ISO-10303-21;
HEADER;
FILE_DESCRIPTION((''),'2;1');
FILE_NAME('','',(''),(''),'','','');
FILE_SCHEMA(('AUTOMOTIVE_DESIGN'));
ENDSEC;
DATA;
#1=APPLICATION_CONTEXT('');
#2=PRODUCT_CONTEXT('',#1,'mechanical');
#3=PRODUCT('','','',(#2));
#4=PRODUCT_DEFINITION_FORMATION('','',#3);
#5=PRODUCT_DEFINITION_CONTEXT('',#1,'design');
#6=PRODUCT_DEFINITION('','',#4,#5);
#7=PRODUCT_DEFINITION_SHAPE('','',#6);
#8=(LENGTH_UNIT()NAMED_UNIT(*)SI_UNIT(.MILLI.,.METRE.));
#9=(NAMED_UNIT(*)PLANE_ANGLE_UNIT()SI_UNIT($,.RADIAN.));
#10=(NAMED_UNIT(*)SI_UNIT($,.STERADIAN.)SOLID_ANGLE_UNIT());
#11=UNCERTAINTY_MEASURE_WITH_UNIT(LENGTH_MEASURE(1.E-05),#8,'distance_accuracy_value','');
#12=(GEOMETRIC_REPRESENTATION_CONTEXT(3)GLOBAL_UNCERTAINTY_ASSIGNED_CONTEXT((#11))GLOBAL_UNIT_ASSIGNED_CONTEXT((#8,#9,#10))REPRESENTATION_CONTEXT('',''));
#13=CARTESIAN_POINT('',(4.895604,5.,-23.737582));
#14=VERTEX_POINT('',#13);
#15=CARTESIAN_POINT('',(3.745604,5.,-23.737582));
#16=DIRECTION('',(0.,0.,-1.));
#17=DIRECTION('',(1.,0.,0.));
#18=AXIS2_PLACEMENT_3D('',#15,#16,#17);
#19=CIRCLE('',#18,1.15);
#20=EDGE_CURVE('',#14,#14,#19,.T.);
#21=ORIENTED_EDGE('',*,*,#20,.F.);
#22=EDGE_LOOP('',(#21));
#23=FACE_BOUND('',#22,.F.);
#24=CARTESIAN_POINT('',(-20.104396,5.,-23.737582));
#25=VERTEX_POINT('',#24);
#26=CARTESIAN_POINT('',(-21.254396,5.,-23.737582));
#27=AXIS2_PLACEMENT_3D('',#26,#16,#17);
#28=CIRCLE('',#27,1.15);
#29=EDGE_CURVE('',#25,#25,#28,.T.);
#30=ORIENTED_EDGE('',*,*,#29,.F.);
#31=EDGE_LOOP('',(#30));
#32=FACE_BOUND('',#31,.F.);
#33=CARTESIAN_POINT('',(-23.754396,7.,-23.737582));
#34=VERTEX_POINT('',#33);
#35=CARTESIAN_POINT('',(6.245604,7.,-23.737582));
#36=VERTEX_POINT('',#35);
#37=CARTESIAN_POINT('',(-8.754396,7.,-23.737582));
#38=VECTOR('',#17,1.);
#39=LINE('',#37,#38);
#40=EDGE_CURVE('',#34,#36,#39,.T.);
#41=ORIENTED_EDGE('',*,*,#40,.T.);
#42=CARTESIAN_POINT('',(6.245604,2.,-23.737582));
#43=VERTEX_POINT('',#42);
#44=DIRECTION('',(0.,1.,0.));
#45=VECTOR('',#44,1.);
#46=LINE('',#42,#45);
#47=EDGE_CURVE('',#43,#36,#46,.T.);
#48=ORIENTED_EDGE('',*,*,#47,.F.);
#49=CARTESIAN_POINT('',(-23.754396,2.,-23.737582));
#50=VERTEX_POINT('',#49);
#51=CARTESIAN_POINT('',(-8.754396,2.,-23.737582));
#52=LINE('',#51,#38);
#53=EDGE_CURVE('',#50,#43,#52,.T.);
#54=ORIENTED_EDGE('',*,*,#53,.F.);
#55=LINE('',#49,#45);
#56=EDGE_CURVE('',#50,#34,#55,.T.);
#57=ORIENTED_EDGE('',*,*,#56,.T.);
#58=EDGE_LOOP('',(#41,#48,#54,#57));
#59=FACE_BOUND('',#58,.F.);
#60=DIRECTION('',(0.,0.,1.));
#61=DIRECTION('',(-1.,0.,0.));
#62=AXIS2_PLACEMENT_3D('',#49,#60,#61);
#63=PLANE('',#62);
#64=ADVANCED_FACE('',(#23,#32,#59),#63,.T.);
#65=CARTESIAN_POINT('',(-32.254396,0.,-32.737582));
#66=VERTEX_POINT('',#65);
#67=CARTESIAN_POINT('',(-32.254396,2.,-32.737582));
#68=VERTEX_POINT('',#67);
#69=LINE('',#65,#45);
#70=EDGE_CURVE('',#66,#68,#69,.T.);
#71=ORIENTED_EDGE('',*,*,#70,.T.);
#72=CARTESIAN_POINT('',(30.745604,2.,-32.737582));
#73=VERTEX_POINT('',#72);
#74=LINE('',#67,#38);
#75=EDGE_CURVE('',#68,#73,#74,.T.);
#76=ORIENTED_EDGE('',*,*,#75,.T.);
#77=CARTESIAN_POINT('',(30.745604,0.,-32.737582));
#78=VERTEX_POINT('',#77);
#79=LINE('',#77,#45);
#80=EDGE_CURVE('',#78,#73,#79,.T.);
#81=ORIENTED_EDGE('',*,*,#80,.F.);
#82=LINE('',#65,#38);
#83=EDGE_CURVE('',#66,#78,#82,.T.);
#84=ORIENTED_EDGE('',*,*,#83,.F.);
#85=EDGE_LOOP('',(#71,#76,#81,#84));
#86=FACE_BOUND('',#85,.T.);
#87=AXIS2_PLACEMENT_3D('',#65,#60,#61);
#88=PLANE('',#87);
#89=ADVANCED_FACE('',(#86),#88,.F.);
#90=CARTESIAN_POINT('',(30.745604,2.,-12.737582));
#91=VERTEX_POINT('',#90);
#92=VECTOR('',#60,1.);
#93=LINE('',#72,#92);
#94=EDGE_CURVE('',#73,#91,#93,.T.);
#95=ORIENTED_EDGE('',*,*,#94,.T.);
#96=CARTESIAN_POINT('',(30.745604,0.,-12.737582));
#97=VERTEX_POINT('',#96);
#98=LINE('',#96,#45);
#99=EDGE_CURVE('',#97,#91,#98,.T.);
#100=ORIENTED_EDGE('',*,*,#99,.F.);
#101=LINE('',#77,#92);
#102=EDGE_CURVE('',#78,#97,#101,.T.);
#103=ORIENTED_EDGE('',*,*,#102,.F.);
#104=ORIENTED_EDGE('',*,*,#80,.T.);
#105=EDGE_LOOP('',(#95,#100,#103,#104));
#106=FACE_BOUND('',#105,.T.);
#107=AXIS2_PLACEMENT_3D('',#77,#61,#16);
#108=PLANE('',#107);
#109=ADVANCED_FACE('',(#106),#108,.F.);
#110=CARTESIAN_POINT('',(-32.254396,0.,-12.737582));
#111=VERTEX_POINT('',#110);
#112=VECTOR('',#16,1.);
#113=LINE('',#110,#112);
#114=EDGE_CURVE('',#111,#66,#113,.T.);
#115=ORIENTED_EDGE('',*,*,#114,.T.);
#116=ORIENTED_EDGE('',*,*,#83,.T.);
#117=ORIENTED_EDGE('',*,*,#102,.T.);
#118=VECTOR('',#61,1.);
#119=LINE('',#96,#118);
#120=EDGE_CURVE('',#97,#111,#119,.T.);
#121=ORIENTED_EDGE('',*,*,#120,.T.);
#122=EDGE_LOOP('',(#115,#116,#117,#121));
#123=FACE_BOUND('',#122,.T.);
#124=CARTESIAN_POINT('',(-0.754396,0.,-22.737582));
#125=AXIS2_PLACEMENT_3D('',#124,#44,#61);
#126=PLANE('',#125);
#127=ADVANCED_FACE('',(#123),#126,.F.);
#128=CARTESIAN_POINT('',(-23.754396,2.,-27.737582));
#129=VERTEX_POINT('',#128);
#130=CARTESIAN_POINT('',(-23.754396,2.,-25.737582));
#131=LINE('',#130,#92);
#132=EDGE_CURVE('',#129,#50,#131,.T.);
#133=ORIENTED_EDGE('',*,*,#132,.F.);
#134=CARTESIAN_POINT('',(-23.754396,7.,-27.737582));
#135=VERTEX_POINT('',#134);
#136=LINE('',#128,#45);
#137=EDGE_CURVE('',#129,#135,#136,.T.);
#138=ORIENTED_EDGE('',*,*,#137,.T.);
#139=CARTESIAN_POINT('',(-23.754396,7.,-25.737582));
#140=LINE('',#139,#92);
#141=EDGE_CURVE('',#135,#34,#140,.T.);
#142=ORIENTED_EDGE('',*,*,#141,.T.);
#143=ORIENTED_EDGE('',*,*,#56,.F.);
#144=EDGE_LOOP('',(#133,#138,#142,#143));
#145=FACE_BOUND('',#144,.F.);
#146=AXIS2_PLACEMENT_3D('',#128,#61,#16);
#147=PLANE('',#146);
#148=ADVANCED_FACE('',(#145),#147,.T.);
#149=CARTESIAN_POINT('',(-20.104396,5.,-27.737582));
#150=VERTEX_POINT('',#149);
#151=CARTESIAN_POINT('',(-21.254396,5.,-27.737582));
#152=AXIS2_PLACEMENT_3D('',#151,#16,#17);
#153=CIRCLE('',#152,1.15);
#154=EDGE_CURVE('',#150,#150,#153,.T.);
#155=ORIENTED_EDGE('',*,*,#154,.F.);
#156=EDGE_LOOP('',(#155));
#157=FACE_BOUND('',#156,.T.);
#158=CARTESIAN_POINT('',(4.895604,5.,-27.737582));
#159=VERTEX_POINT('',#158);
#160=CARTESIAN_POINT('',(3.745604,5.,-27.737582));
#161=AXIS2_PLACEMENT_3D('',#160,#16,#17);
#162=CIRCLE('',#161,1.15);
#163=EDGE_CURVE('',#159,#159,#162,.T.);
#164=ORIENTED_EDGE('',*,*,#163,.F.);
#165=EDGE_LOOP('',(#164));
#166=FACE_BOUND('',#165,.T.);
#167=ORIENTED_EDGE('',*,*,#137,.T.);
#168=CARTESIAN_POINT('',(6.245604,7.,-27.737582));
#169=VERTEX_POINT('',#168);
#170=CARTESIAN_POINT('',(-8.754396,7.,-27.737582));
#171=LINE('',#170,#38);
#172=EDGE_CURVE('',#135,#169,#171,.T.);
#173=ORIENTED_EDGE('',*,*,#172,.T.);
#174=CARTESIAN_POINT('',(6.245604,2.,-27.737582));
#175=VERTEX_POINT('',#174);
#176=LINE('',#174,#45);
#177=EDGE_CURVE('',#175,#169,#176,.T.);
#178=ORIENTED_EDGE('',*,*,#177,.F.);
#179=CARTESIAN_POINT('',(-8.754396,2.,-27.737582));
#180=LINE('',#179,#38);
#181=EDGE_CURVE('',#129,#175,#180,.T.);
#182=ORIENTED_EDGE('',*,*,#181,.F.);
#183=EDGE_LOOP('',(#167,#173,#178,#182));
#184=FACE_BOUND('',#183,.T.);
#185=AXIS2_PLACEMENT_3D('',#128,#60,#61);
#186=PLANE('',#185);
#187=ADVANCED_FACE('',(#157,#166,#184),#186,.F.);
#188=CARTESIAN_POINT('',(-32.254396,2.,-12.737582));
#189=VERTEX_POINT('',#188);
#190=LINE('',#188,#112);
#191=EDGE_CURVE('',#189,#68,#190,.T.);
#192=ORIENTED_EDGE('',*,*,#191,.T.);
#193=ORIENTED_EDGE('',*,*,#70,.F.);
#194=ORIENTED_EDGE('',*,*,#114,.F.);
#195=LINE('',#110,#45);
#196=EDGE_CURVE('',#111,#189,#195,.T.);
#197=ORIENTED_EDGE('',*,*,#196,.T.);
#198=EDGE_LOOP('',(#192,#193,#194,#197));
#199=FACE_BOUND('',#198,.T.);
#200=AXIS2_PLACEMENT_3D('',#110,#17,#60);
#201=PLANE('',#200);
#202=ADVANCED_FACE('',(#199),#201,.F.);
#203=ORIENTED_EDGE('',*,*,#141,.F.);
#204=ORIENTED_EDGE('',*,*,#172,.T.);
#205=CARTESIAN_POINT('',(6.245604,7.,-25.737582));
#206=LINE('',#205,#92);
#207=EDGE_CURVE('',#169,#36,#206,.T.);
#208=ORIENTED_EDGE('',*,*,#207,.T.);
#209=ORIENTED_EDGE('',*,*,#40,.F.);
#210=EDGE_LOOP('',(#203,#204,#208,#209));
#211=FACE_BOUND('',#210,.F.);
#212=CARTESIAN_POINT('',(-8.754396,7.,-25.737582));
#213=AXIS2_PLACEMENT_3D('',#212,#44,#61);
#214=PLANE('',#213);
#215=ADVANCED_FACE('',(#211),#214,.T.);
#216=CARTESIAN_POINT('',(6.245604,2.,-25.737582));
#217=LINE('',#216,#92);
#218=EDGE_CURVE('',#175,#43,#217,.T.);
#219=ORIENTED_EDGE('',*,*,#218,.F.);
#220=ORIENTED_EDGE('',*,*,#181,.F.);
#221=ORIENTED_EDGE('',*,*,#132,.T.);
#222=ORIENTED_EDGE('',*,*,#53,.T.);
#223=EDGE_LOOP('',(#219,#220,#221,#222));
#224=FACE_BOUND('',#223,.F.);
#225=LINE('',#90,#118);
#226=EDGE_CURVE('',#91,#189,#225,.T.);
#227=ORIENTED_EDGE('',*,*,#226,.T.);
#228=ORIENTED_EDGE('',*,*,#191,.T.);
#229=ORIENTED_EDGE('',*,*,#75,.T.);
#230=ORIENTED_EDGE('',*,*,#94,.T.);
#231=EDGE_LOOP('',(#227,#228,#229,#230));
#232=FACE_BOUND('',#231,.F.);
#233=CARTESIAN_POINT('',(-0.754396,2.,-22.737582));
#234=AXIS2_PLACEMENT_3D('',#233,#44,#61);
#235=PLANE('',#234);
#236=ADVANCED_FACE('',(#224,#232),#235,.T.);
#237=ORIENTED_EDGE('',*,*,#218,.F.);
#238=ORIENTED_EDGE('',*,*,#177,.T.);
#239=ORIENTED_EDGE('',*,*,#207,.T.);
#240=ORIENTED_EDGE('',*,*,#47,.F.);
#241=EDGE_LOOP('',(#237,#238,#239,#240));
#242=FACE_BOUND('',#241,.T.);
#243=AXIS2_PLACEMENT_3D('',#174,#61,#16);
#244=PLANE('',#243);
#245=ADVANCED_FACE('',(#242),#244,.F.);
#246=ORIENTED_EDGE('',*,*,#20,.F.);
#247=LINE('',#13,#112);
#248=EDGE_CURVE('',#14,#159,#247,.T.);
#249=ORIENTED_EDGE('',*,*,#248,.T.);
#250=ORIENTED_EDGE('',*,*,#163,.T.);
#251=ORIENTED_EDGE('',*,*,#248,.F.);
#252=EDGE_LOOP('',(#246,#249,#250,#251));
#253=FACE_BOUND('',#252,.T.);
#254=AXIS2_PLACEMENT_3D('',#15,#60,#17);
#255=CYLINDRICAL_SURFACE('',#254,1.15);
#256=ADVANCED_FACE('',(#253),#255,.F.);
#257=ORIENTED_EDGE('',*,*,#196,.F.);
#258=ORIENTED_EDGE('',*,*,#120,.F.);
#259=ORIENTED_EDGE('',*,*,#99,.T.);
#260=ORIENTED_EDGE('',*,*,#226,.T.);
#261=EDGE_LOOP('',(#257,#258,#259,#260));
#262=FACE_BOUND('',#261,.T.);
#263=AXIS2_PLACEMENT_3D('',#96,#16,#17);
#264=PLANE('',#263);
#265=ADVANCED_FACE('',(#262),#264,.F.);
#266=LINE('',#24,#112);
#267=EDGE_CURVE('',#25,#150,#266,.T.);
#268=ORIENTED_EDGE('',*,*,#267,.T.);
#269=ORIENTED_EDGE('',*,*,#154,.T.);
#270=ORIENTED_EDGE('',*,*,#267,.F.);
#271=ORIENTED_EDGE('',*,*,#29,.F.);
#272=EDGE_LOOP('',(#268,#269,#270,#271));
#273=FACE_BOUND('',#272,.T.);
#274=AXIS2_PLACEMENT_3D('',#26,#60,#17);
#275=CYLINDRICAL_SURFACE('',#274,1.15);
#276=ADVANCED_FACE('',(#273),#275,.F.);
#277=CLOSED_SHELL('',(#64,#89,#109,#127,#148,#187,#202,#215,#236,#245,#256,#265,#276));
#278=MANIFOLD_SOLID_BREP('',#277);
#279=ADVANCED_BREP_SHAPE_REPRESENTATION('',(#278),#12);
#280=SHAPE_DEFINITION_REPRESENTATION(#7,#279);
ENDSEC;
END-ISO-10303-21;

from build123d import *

# Parameters (mm, degrees)
F1_DEPTH = 2
F2_W     = 30
F2_H     = 4
F3_DEPTH = 5
F4_R     = 1.15
F5_DEPTH = 25


with BuildPart() as f1:
    # F0 (on Front) → F1 (new body)
    with BuildSketch(Plane.XZ):
        Polygon((-32.254396, -12.737582), (-32.254396, -22.737582), (-32.254396, -32.737582), (30.745604, -32.737582), (30.745604, -12.737582), align=None)
    extrude(amount=F1_DEPTH)

    # F2 (on face) → F3 (join)
    with BuildSketch(Plane.XZ.offset(2)):
        with Locations((-8.754396, -25.737582)):
            Rectangle(F2_W, F2_H)
    extrude(amount=F3_DEPTH)

    # F4 (on face) → F5 (cut)
    with BuildSketch(Plane.XY.offset(-23.737582)):
        with Locations((-21.254396, -5)):
            Circle(F4_R)
        with Locations((3.745604, -5)):
            Circle(F4_R)
    extrude(amount=-F5_DEPTH, mode=Mode.SUBTRACT)


with BuildPart() as f6_1:
    # F6: instance of F1
    add(f1.part.mirror(Plane.XZ))


solid = f6_1.part
